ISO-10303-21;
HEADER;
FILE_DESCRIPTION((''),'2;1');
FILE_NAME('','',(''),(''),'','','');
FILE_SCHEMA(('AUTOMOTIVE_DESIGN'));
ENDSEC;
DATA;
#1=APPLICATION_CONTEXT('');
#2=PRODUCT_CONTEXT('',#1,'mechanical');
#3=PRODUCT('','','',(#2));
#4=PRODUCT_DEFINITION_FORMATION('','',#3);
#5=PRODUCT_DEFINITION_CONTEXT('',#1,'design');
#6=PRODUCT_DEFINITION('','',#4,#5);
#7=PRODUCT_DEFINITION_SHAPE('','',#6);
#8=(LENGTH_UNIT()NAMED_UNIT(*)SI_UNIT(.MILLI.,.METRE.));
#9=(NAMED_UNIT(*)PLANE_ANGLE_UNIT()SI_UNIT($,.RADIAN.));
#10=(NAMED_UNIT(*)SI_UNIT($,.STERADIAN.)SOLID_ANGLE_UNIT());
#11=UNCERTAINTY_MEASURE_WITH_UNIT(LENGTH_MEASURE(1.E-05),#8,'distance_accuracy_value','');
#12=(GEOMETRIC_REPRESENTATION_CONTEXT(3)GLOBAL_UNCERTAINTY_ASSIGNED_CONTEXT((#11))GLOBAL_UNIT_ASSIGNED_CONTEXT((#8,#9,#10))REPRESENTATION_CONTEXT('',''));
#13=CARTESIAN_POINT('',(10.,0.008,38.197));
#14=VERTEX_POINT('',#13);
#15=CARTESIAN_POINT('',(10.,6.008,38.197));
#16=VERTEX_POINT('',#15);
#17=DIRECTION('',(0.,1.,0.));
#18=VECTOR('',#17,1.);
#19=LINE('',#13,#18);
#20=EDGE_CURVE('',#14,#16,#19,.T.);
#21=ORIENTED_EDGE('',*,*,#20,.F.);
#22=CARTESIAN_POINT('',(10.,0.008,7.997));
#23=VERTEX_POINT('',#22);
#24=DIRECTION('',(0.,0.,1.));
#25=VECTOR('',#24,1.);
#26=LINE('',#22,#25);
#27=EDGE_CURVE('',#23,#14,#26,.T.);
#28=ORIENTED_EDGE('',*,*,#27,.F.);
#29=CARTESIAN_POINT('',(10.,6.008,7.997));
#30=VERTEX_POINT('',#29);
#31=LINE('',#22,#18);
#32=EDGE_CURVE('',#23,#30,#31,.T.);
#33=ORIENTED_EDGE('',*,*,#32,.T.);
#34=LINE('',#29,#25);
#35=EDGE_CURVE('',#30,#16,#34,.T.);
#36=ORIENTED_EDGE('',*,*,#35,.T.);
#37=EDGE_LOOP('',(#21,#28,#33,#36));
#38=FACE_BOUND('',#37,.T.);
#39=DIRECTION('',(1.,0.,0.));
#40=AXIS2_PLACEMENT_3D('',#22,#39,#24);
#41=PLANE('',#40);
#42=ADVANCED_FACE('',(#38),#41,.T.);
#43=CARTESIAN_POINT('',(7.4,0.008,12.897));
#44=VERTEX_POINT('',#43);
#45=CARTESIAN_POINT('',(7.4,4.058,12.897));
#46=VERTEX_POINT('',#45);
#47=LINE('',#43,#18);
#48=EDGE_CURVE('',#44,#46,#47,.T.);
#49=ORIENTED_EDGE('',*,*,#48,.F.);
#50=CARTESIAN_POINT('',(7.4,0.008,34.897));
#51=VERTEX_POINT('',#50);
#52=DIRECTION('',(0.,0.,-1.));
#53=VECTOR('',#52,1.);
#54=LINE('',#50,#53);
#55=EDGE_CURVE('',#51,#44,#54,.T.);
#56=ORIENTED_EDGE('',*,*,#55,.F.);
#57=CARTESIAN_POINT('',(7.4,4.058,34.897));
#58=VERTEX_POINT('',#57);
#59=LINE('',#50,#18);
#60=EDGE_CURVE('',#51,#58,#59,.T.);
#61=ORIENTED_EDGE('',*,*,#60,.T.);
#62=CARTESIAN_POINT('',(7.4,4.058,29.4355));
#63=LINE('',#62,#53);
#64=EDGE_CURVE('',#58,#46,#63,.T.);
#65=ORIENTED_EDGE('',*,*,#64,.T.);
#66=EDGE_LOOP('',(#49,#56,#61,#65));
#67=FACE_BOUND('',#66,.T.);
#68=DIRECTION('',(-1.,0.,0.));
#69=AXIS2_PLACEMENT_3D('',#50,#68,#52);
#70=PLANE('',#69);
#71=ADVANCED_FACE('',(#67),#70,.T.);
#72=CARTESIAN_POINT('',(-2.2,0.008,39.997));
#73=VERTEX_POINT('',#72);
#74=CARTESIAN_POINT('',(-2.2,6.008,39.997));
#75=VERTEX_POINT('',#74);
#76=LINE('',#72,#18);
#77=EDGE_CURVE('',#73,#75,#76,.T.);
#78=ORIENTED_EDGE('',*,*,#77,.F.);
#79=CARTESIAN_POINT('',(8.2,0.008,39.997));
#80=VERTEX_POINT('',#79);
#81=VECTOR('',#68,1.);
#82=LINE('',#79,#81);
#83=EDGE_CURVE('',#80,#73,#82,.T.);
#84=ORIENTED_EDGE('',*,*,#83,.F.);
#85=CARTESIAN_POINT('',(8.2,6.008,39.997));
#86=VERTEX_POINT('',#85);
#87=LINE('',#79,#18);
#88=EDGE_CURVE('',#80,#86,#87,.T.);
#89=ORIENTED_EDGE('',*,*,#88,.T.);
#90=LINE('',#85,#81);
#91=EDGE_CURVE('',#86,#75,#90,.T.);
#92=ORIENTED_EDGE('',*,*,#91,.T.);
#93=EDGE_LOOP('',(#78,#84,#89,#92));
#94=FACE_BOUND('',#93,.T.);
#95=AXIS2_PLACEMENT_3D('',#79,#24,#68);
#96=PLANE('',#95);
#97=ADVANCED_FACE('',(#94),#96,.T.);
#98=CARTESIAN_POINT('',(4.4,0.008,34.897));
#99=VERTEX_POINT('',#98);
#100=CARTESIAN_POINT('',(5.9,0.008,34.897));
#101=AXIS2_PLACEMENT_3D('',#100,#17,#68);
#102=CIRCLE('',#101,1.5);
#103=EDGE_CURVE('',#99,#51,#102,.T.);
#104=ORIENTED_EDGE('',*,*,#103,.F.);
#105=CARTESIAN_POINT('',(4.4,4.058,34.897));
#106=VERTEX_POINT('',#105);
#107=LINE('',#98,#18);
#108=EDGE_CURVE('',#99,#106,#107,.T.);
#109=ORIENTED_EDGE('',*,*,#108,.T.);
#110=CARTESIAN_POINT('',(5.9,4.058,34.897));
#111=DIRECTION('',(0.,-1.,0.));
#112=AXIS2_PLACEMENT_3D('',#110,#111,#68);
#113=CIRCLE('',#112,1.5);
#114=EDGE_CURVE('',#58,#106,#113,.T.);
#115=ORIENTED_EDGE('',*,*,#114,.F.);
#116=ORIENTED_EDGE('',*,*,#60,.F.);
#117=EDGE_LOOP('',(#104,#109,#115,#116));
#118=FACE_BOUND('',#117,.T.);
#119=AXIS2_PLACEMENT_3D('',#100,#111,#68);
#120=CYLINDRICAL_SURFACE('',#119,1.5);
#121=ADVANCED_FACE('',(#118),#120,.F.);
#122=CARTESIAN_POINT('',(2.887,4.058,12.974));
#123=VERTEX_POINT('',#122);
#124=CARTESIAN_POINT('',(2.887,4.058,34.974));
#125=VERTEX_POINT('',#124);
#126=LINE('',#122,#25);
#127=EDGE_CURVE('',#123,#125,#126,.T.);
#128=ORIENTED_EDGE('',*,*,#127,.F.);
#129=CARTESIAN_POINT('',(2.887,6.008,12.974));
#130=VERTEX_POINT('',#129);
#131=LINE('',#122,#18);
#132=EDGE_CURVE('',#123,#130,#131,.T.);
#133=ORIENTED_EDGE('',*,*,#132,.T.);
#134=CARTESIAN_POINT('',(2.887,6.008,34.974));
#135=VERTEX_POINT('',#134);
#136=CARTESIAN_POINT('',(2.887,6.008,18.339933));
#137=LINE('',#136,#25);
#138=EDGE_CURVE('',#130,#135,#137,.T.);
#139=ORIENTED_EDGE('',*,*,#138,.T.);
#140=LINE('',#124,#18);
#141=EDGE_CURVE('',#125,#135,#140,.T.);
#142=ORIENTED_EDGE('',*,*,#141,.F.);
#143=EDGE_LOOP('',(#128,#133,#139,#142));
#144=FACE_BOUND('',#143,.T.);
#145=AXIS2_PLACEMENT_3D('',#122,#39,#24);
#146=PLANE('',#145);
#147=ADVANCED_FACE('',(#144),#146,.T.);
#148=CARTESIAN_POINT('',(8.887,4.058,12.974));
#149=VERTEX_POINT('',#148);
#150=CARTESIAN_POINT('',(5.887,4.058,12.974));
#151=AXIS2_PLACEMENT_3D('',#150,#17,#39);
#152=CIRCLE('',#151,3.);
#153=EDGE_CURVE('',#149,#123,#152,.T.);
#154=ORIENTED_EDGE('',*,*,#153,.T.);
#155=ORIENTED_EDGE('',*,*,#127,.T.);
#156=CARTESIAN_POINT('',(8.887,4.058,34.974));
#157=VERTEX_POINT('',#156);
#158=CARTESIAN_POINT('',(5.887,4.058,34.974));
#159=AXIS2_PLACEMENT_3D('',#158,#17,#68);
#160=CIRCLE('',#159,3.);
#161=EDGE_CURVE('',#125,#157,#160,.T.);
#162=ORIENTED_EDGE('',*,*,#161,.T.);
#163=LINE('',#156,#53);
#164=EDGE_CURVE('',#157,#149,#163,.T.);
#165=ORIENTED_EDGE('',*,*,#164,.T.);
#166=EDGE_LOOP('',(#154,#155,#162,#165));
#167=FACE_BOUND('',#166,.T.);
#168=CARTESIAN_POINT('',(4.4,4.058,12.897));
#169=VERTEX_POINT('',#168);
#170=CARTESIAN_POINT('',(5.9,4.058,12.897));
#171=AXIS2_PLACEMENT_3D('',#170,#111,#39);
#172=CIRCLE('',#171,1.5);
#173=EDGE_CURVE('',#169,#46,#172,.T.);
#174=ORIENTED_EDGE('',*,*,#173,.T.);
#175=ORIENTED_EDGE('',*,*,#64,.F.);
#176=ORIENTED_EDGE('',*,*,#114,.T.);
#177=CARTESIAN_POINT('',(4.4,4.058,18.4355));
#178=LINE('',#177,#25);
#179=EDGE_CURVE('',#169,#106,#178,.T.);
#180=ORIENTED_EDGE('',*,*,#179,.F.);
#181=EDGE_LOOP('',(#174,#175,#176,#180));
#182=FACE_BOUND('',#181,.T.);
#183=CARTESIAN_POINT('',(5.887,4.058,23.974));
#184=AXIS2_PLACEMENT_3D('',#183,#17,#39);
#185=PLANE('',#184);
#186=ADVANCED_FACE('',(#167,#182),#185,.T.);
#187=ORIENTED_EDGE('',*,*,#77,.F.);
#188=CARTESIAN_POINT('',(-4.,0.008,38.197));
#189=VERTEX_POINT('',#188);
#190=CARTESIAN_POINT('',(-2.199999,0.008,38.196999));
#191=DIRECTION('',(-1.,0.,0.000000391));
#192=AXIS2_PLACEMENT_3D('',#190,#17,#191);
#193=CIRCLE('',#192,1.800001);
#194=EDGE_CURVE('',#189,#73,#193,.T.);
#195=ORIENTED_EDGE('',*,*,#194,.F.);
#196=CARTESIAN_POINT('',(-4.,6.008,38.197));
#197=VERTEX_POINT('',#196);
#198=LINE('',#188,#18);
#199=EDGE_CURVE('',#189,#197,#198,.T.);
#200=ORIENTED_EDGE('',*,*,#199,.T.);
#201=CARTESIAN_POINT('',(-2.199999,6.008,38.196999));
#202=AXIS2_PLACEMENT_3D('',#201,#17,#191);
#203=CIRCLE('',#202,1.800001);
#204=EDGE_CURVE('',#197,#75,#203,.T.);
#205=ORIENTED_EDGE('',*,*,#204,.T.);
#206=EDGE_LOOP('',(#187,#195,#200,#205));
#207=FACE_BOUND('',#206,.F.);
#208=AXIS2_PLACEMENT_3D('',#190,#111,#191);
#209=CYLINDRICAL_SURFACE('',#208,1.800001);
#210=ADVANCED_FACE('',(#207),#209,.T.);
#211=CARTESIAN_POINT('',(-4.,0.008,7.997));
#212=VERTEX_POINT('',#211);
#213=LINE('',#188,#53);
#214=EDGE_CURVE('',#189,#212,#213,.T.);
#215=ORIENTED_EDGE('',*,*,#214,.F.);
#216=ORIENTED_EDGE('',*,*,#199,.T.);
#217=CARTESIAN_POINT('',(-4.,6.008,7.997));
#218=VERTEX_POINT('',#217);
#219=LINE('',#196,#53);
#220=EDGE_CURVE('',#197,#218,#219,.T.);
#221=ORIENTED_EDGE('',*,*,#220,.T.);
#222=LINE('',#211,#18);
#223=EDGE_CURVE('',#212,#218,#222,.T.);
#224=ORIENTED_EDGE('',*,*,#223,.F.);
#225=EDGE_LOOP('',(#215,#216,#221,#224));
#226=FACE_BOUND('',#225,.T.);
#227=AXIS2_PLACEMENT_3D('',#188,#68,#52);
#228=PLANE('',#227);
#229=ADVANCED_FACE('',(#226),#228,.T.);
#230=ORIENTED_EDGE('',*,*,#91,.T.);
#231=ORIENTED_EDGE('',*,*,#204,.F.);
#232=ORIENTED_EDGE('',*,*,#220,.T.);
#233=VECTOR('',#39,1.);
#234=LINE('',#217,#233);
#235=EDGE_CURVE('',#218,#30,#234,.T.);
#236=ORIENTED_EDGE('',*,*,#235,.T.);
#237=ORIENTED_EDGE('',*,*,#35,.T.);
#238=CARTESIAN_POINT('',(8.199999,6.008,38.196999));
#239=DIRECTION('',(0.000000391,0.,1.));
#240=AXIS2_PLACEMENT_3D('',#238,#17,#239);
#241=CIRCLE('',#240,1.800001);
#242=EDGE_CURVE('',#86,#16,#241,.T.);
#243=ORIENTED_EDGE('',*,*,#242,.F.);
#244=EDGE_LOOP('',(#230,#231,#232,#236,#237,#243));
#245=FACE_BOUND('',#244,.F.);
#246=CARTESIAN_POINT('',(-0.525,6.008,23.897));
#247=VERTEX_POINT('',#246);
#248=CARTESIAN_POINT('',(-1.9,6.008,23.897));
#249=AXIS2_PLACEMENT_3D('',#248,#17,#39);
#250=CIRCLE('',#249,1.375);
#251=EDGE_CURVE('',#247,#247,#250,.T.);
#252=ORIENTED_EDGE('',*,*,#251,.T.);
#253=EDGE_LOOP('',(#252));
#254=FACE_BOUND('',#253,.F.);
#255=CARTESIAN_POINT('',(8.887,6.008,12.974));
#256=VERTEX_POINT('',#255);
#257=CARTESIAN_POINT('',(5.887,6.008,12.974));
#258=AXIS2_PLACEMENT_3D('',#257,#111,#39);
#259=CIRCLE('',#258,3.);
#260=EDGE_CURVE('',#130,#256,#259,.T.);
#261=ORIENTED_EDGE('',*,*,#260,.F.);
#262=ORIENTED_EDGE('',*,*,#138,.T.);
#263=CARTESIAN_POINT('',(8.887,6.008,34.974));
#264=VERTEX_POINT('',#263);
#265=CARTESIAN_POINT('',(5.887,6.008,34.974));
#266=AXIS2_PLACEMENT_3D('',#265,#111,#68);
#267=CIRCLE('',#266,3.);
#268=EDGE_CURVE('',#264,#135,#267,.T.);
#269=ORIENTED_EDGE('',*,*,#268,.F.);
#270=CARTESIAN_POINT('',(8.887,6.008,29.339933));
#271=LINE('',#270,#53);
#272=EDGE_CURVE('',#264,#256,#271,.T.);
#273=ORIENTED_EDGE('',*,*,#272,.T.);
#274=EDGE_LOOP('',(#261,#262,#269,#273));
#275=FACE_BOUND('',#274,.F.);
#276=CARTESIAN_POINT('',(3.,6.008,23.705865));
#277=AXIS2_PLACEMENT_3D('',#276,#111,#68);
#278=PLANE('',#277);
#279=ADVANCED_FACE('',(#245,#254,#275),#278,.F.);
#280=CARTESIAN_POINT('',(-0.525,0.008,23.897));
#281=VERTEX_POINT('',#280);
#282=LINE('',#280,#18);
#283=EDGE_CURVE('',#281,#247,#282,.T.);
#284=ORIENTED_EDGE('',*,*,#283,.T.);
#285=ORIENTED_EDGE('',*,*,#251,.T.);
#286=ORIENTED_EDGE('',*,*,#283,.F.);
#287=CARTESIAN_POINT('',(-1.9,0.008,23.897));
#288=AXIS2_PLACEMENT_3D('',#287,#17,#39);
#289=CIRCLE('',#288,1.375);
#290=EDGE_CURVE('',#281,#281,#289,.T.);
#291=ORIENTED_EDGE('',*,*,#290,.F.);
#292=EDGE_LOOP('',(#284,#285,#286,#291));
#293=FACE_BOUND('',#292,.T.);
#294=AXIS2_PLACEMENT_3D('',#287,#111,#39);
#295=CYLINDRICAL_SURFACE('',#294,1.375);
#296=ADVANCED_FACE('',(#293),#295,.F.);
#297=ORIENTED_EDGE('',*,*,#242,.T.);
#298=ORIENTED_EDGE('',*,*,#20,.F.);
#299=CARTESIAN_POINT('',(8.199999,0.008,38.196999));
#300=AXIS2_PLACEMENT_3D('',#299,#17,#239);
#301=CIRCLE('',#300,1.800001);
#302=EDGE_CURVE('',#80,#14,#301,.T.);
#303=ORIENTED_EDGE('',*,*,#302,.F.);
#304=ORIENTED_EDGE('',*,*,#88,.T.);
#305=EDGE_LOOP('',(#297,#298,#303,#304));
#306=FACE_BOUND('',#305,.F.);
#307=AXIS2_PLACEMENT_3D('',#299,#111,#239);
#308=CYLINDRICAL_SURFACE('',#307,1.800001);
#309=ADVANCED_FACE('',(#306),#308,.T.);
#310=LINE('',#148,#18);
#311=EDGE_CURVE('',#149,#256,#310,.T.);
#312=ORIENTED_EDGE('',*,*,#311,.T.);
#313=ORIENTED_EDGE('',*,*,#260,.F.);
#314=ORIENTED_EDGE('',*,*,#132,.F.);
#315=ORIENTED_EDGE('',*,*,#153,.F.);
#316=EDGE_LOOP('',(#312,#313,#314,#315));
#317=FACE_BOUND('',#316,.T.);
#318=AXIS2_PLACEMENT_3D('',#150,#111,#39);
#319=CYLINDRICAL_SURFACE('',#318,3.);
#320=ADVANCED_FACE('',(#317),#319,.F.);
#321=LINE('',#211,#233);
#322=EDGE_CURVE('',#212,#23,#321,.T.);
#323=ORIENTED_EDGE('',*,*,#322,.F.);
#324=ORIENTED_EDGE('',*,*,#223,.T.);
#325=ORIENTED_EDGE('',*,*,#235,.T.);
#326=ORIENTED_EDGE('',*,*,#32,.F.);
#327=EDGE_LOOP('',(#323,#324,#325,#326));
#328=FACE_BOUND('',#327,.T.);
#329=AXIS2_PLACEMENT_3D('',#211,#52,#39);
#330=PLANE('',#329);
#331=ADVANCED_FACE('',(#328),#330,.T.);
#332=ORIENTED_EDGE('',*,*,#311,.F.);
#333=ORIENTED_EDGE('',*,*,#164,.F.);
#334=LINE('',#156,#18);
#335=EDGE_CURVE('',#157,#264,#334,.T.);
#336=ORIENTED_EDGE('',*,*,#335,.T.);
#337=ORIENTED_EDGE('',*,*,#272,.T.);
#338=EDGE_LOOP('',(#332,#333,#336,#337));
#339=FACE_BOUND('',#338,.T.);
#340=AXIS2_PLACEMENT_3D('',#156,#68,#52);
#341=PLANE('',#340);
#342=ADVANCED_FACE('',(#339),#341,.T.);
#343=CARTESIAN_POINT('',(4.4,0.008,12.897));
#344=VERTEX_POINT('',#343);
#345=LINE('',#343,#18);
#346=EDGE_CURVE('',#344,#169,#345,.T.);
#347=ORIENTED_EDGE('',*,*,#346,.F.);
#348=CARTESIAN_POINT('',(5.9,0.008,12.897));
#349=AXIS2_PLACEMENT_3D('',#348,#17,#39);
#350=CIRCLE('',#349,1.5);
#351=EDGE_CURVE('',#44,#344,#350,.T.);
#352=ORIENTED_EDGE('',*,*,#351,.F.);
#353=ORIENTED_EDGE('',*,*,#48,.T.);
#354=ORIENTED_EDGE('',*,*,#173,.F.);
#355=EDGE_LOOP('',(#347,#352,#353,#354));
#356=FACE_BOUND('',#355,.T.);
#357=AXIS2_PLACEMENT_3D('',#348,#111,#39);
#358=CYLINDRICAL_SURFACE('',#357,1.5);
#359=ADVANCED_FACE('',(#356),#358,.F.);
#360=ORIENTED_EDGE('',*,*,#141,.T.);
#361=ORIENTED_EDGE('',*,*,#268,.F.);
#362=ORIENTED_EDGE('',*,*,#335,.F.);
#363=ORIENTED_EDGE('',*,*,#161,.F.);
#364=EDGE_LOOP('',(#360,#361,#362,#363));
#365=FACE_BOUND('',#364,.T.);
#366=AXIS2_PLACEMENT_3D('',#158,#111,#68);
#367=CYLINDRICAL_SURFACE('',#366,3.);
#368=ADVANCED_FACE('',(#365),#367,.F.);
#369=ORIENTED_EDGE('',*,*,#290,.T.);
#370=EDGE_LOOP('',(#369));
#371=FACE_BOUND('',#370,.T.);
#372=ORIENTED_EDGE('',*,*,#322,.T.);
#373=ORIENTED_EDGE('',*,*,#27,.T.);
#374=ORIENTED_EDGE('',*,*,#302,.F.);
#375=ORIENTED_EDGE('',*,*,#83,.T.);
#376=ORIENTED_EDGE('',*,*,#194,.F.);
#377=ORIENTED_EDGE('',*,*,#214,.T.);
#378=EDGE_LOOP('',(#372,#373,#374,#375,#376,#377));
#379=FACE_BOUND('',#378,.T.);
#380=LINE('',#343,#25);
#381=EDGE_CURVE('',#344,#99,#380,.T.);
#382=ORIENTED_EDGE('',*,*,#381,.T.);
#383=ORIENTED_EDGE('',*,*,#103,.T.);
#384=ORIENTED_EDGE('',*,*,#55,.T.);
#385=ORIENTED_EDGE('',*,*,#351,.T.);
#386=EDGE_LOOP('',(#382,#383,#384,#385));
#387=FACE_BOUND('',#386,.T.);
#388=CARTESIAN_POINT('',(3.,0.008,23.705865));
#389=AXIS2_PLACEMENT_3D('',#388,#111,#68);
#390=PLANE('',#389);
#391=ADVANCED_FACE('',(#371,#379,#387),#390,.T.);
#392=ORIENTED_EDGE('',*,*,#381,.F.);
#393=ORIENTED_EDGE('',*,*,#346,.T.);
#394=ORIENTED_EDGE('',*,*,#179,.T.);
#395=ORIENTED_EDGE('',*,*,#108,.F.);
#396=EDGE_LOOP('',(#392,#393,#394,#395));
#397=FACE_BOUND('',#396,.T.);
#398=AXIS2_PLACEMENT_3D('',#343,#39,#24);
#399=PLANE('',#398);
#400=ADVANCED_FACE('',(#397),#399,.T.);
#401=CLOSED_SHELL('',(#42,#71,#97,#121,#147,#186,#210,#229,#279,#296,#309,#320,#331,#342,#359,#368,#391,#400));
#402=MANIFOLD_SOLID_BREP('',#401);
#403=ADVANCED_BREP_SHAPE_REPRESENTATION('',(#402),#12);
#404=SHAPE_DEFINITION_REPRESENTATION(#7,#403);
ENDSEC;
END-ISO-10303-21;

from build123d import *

# Parameters (mm, degrees)
PAD014_DEPTH           = 2
SKETCH024_R            = 1.375
PAD011_DEPTH           = 6
CUT045_PLACEMENT_ANGLE = 180


with BuildPart() as slotscrew001:
    # Sketch027 → Pad014 (new body)
    with BuildSketch(Plane.XZ):
        with BuildLine():
            ThreePointArc((8.9, 35), (5.9, 38), (2.9, 35))
            Line((2.9, 35), (2.9, 13))
            ThreePointArc((2.9, 13), (5.9, 10), (8.9, 13))
            Line((8.9, 13), (8.9, 35))
        make_face()
    extrude(amount=PAD014_DEPTH)


with BuildPart() as slotscrew001_1:
    # Body013 placement: moved
    add(slotscrew001.part.moved(Location((-0.013, -4.05, -39.977))))


with BuildPart() as base001:
    # Sketch024 → Pad011 (new body)
    with BuildSketch(Plane.XZ):
        with BuildLine():
            Line((-4, 0), (10, 0))
            Line((10, 0), (10, -30.2))
            ThreePointArc((8.2, -32), (9.472792, -31.472792), (10, -30.2))
            Line((8.2, -32), (-2.2, -32))
            ThreePointArc((-4, -30.2), (-3.472792, -31.472792), (-2.2, -32))
            Line((-4, -30.2), (-4, 0))
        make_face()
        with Locations((-1.9, -15.9)):
            Circle(SKETCH024_R, mode=Mode.SUBTRACT)
        with BuildLine():
            ThreePointArc((4.4, -26.9), (5.9, -28.4), (7.4, -26.9))
            Line((7.4, -26.9), (7.4, -4.9))
            ThreePointArc((7.4, -4.9), (5.9, -3.4), (4.4, -4.9))
            Line((4.4, -4.9), (4.4, -26.9))
        make_face(mode=Mode.SUBTRACT)
    extrude(amount=PAD011_DEPTH)

    # Cut045: cut slotscrew001
    add(slotscrew001_1.part, mode=Mode.SUBTRACT)


with BuildPart() as base001_1:
    # Cut045 placement: moved
    add(base001.part.moved(Location((0, 0.008, 7.997))).rotate(Axis((0, 0.008, 7.997), (1, 0, 0)), CUT045_PLACEMENT_ANGLE))


solid = base001_1.part
